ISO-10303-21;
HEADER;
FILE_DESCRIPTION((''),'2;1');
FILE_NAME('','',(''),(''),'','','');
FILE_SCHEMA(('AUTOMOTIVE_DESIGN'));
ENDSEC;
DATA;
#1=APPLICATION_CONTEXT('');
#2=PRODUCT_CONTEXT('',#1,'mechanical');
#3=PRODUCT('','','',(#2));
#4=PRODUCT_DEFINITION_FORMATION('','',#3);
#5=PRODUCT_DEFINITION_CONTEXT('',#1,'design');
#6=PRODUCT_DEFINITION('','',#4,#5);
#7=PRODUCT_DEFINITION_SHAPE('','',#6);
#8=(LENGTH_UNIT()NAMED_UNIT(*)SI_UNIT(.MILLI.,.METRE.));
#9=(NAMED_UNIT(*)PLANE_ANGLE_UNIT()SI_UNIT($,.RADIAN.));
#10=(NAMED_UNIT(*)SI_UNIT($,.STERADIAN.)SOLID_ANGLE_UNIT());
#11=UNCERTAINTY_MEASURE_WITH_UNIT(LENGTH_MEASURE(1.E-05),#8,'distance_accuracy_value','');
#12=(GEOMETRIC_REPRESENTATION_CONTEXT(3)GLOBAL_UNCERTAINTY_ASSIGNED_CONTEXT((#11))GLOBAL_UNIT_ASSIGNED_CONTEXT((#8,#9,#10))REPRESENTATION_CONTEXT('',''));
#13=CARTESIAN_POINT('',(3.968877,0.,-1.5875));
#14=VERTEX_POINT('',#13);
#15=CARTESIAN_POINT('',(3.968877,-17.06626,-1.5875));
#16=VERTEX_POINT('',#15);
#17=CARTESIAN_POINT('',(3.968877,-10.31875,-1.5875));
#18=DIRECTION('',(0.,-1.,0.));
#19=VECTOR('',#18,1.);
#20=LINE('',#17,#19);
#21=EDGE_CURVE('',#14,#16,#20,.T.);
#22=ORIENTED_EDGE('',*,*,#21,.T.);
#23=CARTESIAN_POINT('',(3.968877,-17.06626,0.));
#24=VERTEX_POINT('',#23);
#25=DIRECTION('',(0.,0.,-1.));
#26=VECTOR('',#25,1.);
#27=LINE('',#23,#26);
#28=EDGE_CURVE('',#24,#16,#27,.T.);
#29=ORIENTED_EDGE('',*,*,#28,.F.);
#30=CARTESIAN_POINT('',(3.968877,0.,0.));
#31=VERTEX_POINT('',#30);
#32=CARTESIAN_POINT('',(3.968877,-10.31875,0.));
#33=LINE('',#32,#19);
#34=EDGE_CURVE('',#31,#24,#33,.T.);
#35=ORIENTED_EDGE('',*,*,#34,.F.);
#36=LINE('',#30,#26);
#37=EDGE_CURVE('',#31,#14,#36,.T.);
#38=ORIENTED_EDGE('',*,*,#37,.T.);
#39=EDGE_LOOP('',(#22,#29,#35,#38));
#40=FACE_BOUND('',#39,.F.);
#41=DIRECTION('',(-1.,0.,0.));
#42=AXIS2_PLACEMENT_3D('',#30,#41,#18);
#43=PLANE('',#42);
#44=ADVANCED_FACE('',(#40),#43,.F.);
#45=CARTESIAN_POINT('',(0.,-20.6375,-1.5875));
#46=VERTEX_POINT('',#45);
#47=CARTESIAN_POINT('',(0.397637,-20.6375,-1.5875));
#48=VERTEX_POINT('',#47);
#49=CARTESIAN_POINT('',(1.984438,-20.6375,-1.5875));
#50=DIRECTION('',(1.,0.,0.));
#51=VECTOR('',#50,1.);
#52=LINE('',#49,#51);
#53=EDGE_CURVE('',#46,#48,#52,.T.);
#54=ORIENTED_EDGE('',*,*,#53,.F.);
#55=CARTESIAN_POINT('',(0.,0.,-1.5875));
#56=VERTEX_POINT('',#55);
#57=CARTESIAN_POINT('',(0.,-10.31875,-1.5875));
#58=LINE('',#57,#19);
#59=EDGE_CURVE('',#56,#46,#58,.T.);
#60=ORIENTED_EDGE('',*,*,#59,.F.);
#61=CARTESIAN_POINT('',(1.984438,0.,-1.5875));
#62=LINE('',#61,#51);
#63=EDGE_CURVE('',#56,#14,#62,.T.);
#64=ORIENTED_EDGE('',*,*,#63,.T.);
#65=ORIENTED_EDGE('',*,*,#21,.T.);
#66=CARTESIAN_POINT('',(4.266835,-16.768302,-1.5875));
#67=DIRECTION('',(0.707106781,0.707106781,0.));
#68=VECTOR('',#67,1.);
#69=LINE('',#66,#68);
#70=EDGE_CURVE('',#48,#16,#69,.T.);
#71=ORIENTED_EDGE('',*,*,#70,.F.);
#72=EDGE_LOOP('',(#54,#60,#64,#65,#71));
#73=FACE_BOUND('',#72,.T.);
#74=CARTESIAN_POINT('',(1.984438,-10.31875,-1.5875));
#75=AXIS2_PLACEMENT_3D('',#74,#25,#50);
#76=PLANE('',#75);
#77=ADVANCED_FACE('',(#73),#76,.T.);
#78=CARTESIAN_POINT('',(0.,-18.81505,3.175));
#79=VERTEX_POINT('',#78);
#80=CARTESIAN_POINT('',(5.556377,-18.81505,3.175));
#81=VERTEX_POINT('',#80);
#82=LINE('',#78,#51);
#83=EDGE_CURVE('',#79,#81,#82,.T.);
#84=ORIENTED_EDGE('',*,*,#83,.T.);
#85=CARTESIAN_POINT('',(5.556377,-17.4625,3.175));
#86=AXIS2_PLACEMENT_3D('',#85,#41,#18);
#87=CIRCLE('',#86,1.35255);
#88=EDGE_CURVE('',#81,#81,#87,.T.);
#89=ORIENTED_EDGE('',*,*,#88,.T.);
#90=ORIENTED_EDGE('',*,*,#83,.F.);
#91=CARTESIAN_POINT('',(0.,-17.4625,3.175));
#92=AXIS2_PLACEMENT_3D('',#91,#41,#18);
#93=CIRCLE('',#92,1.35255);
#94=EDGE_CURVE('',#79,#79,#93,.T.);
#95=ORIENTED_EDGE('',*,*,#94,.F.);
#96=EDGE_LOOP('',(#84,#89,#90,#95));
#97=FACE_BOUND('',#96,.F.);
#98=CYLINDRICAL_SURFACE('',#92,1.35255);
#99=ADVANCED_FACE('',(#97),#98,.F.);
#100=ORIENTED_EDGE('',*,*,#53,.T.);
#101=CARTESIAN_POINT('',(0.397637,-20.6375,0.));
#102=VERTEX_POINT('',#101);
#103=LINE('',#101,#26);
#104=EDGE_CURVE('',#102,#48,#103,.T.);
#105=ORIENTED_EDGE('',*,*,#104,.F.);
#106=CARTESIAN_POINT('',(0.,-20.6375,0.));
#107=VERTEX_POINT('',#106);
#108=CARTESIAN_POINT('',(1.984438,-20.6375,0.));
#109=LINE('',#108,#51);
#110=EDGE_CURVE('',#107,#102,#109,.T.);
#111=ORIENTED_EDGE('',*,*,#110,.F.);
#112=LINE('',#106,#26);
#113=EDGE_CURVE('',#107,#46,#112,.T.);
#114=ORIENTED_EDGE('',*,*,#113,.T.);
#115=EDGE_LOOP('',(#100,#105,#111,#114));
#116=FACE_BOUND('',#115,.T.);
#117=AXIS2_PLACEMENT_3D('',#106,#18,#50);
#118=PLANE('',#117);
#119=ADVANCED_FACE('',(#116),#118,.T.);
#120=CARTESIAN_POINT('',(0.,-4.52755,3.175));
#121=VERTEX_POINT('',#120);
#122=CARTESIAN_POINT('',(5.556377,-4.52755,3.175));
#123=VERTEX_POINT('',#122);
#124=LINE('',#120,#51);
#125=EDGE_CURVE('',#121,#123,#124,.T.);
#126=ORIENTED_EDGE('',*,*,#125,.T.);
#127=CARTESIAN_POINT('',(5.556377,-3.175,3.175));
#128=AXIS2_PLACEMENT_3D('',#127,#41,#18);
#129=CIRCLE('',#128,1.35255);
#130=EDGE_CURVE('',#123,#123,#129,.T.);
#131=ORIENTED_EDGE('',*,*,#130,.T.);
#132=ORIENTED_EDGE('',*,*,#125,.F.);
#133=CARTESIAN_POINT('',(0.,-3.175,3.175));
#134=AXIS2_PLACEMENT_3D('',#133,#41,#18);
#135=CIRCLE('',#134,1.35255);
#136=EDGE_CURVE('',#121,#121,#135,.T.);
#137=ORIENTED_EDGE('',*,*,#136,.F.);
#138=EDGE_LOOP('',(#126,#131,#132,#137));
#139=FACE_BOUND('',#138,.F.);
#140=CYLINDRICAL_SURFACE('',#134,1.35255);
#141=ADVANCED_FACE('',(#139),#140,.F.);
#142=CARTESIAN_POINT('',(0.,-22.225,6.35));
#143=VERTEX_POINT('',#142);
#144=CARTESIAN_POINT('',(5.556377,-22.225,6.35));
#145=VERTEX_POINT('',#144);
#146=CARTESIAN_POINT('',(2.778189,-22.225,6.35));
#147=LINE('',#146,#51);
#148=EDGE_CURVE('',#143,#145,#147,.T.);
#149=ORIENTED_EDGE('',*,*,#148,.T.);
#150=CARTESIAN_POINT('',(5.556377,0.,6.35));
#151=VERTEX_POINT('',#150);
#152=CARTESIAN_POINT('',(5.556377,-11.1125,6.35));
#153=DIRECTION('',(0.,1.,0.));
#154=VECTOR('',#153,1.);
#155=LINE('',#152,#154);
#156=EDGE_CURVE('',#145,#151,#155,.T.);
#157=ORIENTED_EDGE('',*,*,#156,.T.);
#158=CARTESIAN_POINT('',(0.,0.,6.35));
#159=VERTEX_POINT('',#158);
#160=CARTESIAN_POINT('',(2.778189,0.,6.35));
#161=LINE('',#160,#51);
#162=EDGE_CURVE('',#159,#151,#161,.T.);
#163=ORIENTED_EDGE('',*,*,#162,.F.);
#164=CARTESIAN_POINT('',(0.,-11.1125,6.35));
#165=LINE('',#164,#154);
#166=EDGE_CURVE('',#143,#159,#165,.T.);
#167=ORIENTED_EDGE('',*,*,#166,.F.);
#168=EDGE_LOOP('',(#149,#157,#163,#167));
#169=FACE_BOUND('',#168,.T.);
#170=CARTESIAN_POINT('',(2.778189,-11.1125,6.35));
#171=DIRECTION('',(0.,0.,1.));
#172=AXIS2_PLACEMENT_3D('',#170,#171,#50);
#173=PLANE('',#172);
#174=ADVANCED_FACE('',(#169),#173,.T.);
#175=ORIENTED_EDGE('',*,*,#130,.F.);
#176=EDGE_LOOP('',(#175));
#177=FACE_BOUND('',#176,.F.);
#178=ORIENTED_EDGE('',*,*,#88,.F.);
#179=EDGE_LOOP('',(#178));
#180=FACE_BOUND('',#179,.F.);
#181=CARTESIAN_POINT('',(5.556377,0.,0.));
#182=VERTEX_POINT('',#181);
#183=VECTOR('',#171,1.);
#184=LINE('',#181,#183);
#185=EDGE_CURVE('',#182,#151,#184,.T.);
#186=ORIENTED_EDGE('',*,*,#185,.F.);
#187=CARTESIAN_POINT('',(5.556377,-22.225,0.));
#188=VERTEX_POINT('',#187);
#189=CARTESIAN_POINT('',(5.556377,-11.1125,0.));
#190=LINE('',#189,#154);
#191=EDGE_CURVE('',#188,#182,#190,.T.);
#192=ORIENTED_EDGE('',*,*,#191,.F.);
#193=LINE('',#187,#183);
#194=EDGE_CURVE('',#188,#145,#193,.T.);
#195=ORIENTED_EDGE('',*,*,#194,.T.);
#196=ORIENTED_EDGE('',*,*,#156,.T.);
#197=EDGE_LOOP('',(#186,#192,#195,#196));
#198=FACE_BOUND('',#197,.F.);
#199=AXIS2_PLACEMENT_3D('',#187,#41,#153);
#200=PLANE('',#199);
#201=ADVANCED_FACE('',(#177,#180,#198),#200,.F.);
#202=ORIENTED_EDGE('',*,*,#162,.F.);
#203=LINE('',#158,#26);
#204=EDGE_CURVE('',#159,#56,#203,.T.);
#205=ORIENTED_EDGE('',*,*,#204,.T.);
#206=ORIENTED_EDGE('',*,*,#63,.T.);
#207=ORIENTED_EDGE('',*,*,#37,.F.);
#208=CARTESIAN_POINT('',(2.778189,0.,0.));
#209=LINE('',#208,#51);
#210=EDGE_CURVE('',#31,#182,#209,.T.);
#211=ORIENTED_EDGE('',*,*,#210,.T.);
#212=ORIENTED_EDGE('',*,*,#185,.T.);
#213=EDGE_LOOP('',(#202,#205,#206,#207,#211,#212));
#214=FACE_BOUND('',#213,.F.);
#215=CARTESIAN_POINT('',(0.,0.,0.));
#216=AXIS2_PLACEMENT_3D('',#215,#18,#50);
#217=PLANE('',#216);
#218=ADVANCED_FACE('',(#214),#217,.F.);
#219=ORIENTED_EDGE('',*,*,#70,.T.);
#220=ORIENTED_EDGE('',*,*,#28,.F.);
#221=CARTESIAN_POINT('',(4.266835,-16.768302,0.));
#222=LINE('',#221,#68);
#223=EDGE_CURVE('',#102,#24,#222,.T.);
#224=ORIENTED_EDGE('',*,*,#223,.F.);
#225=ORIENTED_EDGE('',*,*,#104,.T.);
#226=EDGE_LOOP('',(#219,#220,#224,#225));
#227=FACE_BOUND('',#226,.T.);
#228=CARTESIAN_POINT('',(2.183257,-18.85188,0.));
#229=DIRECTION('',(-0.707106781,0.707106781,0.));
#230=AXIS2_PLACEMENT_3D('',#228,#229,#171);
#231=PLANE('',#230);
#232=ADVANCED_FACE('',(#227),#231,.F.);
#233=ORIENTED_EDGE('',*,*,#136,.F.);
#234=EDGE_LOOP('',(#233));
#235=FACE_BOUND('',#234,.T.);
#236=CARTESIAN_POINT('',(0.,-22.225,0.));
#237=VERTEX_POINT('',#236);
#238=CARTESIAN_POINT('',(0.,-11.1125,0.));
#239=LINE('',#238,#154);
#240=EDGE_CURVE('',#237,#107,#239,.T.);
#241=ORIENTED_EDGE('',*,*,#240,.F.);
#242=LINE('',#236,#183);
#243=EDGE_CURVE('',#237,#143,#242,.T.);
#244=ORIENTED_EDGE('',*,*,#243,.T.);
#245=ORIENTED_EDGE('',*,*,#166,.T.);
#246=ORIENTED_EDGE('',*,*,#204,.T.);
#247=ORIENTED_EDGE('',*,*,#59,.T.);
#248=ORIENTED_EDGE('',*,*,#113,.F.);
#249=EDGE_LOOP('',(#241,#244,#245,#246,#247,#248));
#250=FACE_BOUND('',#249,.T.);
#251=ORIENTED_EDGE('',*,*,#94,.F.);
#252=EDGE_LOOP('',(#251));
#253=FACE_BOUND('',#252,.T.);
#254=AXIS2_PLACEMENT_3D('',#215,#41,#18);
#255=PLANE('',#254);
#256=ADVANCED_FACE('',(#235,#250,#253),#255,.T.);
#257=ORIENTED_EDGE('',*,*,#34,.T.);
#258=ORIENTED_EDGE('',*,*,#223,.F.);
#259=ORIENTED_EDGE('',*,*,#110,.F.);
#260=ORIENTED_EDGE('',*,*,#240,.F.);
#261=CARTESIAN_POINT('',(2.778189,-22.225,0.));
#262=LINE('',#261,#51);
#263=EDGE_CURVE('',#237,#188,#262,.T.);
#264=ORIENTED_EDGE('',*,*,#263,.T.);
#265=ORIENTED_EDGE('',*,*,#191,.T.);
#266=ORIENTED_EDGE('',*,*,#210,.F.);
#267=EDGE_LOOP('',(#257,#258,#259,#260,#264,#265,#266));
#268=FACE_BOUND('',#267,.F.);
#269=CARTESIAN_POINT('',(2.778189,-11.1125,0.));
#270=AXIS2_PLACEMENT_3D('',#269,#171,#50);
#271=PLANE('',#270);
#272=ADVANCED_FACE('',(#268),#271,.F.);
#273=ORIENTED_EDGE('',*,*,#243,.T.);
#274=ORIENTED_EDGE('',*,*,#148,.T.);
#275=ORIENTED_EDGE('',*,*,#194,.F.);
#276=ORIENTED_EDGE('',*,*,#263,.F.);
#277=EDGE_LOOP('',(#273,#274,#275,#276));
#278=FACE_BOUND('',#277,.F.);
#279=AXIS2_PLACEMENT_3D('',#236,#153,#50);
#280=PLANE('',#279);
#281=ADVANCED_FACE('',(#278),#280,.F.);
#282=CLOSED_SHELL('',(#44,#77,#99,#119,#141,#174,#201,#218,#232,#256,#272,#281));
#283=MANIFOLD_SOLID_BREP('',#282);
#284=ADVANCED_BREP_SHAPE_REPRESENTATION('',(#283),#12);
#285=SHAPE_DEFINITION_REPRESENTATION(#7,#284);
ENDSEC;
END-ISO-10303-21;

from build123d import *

# Parameters (mm, degrees)
F0_W     = 5.556377
F0_H     = 22.225
F1_DEPTH = 6.35
F2_W     = 3.968877
F2_H     = 20.6375
F3_DEPTH = 1.5875
F4_R     = 1.35255
F5_DEPTH = 6.35
F6_SIZE  = 3.57124


with BuildPart() as f1:
    # F0 (on Top) → F1 (new body)
    with BuildSketch(Plane.XY):
        with Locations((2.7781885, -11.1125)):
            Rectangle(F0_W, F0_H)
    extrude(amount=F1_DEPTH)

    # F2 (on face) → F3 (join)
    with BuildSketch(Plane(origin=(0, 0, 0), x_dir=(1, 0, 0), z_dir=(0, 0, -1))):
        with Locations((1.9844385, 10.31875)):
            Rectangle(F2_W, F2_H)
    extrude(amount=F3_DEPTH)

    # F4 (on face) → F5 (cut)
    with BuildSketch(Plane(origin=(0, 0, 0), x_dir=(0, -1, 0), z_dir=(-1, 0, 0))):
        with Locations((17.4625, 3.175)):
            Circle(F4_R)
        with Locations((3.175, 3.175)):
            Circle(F4_R)
    extrude(amount=-F5_DEPTH, mode=Mode.SUBTRACT)

    # F6
    f6_edges = [f1.edges().sort_by_distance(p)[0] for p in [
        (3.968877, -20.6375, -0.79375),
    ]]
    chamfer(f6_edges, length=F6_SIZE)


solid = f1.part
